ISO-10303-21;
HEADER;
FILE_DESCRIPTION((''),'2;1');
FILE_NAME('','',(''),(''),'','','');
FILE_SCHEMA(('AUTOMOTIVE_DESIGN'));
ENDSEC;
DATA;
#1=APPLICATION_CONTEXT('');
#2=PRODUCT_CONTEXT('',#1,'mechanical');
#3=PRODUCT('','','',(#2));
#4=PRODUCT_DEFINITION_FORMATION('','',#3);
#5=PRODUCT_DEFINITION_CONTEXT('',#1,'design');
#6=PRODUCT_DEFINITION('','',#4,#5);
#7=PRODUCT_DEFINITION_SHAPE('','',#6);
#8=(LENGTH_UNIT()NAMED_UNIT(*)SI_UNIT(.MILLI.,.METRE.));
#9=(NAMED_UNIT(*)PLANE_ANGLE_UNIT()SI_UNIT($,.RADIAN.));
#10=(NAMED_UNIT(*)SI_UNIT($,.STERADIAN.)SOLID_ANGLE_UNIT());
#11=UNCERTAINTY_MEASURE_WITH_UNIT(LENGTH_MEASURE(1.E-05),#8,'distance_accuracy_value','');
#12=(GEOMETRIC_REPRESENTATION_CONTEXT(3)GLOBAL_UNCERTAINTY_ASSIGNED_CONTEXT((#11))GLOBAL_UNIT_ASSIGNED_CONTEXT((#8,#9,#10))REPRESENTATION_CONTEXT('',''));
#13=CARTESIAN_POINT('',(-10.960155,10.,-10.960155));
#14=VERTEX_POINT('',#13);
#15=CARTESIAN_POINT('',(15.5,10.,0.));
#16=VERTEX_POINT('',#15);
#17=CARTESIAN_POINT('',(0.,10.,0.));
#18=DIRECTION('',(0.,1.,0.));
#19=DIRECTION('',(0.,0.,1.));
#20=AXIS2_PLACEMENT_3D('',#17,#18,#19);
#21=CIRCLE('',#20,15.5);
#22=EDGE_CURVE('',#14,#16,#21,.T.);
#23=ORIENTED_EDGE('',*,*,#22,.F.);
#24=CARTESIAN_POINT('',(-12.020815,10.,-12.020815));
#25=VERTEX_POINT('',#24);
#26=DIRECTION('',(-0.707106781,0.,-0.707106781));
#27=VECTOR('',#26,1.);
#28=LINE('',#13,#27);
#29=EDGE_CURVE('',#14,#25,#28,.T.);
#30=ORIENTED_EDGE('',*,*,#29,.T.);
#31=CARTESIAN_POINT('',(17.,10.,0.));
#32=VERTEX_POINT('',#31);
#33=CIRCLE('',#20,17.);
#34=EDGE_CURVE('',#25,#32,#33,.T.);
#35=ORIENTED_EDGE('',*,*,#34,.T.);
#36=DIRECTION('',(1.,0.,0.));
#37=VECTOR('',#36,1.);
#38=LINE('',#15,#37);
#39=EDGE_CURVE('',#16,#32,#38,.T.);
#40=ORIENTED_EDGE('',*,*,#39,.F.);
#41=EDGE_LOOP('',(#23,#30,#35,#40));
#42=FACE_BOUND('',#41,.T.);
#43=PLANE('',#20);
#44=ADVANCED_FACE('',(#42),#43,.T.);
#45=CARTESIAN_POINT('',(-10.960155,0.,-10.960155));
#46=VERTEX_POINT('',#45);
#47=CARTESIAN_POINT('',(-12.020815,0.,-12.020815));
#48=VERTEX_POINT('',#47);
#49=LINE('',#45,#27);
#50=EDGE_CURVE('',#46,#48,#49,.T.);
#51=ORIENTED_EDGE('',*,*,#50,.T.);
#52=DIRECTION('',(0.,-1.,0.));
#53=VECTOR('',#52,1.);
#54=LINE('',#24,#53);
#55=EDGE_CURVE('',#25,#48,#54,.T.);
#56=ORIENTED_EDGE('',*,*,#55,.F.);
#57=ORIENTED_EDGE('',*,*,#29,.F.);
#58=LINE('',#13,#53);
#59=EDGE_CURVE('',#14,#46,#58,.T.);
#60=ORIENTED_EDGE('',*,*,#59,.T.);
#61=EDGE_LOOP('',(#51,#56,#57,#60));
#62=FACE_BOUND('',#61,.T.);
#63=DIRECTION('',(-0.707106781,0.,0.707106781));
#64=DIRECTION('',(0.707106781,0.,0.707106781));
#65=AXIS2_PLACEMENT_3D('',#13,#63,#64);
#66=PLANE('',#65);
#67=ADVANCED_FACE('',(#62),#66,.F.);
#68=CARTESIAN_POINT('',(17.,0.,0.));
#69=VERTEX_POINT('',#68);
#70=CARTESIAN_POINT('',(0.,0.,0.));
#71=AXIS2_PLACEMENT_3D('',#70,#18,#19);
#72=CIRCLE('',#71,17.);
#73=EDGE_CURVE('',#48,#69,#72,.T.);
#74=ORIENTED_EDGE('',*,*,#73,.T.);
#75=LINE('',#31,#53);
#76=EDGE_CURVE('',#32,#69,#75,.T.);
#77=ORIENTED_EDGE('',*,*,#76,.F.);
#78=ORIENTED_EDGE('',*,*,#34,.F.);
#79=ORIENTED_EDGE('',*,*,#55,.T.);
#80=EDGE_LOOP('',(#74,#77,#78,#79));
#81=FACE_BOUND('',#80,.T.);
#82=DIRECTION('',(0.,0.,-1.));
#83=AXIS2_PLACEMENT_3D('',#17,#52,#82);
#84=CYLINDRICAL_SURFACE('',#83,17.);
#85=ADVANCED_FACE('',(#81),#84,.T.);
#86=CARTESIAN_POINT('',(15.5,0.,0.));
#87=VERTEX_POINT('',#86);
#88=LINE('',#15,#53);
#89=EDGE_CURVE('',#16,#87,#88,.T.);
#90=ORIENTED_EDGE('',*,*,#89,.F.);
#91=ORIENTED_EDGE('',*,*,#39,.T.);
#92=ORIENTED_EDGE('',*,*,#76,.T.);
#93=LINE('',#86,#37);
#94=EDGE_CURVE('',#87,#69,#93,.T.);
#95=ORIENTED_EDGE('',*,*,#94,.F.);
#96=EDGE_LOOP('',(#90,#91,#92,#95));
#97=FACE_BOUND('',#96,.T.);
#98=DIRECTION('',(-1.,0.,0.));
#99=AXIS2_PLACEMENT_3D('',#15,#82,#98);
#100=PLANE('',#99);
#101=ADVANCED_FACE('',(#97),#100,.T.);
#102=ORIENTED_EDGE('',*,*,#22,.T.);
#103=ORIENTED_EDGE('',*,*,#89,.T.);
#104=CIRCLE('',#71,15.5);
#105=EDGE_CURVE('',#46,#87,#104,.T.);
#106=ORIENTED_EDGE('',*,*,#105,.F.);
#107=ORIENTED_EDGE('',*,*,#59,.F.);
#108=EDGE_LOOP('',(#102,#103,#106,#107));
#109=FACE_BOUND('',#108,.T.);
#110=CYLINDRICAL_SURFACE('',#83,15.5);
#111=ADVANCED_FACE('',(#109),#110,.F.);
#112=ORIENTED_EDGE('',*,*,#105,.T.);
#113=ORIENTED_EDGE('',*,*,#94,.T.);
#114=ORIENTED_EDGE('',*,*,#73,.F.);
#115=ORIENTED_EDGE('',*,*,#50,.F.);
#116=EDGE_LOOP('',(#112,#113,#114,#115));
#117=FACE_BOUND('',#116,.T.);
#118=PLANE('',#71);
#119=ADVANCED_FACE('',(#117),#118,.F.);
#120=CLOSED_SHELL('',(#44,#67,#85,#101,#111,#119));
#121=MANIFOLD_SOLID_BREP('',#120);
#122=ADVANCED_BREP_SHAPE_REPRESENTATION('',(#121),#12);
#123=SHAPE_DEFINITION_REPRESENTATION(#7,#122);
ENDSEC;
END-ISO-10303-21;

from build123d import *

# Parameters (mm, degrees)
EXTRUDE_1_DEPTH = 10


with BuildPart() as part:
    # 草圖1 → 填料-伸長1 (new body)
    with BuildSketch(Plane(origin=(0, 0, 0), x_dir=(1, 0, 0), z_dir=(0, 1, 0))):
        with BuildLine():
            Line((15.5, 0), (17, 0))
            ThreePointArc((17, 0), (-6.50561835, -15.705952053), (-12.02081528, 12.02081528))
            Line((-12.02081528, 12.02081528), (-10.960155108, 10.960155108))
            ThreePointArc((-10.960155108, 10.960155108), (-5.931593202, -14.320132754), (15.5, 0))
        make_face()
    extrude(amount=EXTRUDE_1_DEPTH)


solid = part.part
